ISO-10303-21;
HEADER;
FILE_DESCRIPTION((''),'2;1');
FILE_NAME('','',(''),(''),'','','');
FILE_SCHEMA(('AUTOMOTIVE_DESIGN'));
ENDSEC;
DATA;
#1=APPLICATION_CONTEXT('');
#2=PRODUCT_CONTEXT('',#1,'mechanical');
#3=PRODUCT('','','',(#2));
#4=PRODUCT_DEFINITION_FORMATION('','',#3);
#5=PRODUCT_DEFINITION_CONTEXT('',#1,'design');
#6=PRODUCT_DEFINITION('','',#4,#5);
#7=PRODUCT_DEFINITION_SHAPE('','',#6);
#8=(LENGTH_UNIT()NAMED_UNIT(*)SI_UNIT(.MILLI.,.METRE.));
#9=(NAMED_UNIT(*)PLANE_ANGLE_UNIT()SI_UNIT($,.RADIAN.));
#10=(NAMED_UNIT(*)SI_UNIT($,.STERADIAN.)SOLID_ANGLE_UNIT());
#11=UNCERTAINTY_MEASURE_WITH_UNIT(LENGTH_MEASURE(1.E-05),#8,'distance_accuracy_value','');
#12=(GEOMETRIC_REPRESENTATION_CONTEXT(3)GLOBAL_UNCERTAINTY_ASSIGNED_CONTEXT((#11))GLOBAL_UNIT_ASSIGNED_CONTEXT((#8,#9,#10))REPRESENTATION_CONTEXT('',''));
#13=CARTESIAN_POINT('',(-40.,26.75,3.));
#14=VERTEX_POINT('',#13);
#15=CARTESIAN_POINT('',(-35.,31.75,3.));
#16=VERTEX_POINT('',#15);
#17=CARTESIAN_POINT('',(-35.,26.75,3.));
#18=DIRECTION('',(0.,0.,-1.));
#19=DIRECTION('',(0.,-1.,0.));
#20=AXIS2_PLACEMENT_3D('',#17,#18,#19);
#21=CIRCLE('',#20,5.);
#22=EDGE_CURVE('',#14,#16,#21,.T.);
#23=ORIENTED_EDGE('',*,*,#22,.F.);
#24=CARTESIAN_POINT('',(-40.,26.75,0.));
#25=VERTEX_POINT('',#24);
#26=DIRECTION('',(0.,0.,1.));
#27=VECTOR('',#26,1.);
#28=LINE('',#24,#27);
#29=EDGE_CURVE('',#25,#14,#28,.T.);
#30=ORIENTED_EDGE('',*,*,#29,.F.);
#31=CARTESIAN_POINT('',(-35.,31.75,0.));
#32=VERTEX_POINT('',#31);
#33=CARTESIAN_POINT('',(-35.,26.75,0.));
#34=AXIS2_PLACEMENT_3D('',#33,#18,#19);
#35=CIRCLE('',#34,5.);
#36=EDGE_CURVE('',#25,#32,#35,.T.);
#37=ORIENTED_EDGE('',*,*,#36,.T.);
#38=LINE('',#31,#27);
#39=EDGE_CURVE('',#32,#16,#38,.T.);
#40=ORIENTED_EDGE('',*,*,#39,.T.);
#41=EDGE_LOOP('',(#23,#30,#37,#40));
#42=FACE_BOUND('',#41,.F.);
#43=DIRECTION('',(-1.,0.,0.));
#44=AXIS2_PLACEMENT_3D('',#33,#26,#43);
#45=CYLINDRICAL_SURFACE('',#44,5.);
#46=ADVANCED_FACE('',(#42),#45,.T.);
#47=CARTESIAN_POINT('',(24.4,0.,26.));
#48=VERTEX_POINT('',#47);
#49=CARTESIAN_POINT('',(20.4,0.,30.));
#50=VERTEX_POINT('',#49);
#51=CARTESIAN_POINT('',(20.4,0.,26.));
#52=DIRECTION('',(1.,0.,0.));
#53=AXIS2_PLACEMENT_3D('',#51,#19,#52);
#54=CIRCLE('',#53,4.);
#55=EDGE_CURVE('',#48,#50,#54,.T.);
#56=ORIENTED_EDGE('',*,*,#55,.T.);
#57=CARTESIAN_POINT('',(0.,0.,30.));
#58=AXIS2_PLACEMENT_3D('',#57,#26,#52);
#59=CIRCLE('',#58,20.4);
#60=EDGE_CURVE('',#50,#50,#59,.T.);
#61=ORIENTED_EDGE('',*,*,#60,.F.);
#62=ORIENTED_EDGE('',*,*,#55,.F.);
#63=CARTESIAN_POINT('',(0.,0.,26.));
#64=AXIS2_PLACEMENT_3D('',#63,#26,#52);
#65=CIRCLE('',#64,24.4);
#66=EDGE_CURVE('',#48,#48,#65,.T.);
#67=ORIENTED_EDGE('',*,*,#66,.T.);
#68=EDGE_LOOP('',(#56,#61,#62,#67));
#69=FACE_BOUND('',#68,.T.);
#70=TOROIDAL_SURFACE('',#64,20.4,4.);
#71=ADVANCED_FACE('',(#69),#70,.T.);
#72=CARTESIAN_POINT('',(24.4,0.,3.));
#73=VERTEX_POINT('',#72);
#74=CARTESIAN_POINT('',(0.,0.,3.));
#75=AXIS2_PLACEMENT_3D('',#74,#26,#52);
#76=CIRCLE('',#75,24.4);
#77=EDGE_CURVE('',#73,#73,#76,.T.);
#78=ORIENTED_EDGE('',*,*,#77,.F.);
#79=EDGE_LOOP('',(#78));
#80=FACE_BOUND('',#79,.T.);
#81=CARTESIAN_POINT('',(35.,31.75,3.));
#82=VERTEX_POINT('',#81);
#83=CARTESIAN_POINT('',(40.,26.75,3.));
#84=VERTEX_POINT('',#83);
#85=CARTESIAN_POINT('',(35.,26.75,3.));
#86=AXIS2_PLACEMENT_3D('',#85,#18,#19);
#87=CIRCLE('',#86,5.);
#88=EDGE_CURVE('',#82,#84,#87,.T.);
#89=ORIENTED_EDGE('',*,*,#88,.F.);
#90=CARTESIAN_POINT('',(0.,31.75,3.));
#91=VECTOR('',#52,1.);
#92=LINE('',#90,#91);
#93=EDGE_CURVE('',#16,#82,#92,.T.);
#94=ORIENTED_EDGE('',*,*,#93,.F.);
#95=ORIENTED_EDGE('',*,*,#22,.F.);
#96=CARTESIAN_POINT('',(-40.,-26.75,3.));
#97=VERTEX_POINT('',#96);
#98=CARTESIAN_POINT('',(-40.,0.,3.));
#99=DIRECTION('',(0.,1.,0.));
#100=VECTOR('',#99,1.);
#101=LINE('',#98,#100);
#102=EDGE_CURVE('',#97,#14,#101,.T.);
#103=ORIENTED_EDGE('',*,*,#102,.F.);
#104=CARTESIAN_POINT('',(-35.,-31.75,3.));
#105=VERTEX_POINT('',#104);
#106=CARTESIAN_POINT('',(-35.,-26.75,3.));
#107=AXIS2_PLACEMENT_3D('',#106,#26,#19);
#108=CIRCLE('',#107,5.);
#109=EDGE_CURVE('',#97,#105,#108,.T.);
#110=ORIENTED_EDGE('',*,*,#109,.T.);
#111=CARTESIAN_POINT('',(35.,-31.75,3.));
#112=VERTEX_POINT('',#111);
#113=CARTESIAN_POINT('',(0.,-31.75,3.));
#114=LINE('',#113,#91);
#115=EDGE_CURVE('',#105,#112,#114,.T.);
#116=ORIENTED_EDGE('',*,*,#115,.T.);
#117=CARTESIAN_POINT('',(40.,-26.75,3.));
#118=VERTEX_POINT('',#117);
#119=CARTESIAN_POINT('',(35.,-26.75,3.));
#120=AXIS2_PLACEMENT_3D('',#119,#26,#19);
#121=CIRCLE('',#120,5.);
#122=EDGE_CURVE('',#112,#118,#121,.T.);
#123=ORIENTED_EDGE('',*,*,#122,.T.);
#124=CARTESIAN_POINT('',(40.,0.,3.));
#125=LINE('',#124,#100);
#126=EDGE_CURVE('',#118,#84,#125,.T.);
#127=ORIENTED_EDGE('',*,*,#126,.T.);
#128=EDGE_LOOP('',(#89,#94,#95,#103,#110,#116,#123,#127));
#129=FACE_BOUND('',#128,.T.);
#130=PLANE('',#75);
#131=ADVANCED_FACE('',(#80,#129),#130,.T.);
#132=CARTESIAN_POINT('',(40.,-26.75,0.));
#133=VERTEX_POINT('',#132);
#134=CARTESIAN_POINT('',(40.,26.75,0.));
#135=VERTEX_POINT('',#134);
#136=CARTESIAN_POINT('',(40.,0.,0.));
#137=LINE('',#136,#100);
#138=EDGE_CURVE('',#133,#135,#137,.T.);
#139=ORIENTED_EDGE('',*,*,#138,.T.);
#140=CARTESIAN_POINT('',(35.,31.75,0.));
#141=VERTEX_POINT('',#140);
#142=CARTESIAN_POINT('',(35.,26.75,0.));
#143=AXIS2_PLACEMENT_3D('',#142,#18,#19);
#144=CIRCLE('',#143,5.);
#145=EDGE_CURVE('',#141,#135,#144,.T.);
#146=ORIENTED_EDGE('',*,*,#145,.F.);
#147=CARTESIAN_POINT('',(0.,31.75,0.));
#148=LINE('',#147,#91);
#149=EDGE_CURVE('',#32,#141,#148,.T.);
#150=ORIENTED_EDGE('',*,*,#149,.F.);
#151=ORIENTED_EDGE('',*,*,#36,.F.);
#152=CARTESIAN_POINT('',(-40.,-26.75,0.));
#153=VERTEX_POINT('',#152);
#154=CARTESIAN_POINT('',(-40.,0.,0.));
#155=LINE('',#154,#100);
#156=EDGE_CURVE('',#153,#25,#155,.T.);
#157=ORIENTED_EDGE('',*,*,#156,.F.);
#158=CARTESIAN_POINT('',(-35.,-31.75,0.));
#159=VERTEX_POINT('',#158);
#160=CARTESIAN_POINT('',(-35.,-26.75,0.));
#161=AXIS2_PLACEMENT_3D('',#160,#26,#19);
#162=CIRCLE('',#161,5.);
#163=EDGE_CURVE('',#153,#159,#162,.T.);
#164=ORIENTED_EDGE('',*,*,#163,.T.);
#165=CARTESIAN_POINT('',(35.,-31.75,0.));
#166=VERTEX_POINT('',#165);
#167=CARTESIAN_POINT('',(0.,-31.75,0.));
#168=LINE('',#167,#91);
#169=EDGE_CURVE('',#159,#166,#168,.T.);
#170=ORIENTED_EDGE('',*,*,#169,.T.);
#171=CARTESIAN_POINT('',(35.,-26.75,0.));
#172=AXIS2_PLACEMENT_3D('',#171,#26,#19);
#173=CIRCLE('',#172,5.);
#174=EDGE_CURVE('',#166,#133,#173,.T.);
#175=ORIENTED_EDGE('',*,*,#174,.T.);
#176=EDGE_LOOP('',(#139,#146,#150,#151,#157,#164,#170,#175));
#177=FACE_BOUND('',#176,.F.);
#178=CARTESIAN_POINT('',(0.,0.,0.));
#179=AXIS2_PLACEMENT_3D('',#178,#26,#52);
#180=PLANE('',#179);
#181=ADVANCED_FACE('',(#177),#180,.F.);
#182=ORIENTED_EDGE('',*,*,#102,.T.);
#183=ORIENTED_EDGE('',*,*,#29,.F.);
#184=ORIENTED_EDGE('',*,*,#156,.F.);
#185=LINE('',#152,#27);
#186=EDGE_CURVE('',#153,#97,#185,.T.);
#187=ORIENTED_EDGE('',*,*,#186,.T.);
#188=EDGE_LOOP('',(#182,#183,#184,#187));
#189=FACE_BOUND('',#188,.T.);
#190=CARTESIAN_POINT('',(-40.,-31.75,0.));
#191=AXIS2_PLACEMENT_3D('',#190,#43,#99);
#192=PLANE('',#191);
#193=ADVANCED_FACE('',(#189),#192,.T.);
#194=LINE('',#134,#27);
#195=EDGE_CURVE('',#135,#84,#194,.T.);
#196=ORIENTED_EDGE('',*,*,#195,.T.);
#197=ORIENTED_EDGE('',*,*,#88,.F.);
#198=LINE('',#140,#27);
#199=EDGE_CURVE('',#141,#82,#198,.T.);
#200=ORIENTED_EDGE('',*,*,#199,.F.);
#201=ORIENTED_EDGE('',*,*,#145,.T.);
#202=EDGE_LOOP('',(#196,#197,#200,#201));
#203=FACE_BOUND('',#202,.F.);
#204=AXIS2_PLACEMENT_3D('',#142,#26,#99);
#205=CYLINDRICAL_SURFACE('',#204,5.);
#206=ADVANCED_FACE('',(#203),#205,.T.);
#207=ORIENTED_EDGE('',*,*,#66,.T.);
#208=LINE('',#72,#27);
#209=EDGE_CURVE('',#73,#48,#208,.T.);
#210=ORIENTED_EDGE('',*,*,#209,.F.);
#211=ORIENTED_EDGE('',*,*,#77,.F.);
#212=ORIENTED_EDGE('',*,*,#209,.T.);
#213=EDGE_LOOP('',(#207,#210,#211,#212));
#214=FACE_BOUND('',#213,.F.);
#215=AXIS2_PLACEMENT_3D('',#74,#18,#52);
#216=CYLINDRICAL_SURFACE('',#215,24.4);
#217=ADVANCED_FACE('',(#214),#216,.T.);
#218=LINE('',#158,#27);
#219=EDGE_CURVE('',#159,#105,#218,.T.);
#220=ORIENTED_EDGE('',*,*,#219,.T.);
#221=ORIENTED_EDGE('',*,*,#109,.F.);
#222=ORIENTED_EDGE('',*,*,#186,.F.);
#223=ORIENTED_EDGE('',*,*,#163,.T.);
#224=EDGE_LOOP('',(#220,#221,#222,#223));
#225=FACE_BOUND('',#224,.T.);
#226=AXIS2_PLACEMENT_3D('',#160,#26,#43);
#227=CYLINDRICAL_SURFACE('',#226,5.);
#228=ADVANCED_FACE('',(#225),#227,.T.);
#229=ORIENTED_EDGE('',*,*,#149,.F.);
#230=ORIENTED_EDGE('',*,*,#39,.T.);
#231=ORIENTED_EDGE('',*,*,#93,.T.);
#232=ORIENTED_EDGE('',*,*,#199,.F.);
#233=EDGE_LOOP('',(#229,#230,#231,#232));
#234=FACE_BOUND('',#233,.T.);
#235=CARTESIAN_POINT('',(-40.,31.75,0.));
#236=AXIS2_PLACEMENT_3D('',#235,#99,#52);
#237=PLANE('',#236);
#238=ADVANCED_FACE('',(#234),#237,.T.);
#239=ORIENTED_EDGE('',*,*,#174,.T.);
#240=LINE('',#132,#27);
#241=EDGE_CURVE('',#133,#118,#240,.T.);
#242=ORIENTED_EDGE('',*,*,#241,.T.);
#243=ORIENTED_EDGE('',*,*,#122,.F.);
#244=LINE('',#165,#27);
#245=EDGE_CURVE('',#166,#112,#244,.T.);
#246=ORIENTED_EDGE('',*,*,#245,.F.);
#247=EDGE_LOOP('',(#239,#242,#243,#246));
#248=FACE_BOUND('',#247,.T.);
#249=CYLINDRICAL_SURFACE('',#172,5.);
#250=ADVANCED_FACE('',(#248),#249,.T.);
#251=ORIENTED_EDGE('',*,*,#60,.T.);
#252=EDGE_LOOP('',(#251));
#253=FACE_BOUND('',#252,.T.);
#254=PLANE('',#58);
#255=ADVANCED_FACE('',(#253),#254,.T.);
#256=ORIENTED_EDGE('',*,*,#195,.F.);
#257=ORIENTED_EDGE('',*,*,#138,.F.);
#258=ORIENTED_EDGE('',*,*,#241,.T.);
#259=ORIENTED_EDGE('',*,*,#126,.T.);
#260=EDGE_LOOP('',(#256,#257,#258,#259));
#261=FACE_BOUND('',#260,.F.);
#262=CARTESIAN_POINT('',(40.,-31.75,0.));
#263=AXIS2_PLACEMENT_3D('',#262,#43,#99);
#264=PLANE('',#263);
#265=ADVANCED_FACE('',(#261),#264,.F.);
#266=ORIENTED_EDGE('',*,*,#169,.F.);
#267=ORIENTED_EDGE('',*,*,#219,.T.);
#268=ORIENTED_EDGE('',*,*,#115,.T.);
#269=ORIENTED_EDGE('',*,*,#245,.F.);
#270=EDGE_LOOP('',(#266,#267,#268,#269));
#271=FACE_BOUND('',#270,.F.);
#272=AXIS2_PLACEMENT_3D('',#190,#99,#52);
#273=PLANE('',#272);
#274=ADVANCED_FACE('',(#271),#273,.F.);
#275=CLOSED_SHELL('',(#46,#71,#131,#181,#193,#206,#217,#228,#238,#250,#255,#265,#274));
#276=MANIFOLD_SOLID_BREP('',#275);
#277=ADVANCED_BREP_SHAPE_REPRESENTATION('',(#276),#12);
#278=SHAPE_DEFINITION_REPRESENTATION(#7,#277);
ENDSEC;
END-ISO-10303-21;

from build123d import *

# Parameters (mm, degrees)
SKETCH_W     = 80
SKETCH_H     = 63.5
PAD_DEPTH    = 3
SKETCH001_R  = 24.4
PAD001_DEPTH = 27
FILLET_R     = 4
FILLET001_R  = 5


with BuildPart() as part:
    # Sketch → Pad (new body)
    with BuildSketch(Plane.XY):
        Rectangle(SKETCH_W, SKETCH_H)
    extrude(amount=PAD_DEPTH)

    # Sketch001 (on Face6 of Pad) → Pad001 (join)
    with BuildSketch(Plane.XY.offset(3)):
        Circle(SKETCH001_R)
    extrude(amount=PAD001_DEPTH)

    # Fillet
    fillet_edges = [part.edges().sort_by_distance(p)[0] for p in [
        (-24.4, 0, 30),
    ]]
    fillet(fillet_edges, radius=FILLET_R)

    # Fillet001
    fillet001_edges = [part.edges().sort_by_distance(p)[0] for p in [
        (40, -31.75, 1.5),
        (40, 31.75, 1.5),
        (-40, 31.75, 1.5),
        (-40, -31.75, 1.5),
    ]]
    fillet(fillet001_edges, radius=FILLET001_R)


solid = part.part
